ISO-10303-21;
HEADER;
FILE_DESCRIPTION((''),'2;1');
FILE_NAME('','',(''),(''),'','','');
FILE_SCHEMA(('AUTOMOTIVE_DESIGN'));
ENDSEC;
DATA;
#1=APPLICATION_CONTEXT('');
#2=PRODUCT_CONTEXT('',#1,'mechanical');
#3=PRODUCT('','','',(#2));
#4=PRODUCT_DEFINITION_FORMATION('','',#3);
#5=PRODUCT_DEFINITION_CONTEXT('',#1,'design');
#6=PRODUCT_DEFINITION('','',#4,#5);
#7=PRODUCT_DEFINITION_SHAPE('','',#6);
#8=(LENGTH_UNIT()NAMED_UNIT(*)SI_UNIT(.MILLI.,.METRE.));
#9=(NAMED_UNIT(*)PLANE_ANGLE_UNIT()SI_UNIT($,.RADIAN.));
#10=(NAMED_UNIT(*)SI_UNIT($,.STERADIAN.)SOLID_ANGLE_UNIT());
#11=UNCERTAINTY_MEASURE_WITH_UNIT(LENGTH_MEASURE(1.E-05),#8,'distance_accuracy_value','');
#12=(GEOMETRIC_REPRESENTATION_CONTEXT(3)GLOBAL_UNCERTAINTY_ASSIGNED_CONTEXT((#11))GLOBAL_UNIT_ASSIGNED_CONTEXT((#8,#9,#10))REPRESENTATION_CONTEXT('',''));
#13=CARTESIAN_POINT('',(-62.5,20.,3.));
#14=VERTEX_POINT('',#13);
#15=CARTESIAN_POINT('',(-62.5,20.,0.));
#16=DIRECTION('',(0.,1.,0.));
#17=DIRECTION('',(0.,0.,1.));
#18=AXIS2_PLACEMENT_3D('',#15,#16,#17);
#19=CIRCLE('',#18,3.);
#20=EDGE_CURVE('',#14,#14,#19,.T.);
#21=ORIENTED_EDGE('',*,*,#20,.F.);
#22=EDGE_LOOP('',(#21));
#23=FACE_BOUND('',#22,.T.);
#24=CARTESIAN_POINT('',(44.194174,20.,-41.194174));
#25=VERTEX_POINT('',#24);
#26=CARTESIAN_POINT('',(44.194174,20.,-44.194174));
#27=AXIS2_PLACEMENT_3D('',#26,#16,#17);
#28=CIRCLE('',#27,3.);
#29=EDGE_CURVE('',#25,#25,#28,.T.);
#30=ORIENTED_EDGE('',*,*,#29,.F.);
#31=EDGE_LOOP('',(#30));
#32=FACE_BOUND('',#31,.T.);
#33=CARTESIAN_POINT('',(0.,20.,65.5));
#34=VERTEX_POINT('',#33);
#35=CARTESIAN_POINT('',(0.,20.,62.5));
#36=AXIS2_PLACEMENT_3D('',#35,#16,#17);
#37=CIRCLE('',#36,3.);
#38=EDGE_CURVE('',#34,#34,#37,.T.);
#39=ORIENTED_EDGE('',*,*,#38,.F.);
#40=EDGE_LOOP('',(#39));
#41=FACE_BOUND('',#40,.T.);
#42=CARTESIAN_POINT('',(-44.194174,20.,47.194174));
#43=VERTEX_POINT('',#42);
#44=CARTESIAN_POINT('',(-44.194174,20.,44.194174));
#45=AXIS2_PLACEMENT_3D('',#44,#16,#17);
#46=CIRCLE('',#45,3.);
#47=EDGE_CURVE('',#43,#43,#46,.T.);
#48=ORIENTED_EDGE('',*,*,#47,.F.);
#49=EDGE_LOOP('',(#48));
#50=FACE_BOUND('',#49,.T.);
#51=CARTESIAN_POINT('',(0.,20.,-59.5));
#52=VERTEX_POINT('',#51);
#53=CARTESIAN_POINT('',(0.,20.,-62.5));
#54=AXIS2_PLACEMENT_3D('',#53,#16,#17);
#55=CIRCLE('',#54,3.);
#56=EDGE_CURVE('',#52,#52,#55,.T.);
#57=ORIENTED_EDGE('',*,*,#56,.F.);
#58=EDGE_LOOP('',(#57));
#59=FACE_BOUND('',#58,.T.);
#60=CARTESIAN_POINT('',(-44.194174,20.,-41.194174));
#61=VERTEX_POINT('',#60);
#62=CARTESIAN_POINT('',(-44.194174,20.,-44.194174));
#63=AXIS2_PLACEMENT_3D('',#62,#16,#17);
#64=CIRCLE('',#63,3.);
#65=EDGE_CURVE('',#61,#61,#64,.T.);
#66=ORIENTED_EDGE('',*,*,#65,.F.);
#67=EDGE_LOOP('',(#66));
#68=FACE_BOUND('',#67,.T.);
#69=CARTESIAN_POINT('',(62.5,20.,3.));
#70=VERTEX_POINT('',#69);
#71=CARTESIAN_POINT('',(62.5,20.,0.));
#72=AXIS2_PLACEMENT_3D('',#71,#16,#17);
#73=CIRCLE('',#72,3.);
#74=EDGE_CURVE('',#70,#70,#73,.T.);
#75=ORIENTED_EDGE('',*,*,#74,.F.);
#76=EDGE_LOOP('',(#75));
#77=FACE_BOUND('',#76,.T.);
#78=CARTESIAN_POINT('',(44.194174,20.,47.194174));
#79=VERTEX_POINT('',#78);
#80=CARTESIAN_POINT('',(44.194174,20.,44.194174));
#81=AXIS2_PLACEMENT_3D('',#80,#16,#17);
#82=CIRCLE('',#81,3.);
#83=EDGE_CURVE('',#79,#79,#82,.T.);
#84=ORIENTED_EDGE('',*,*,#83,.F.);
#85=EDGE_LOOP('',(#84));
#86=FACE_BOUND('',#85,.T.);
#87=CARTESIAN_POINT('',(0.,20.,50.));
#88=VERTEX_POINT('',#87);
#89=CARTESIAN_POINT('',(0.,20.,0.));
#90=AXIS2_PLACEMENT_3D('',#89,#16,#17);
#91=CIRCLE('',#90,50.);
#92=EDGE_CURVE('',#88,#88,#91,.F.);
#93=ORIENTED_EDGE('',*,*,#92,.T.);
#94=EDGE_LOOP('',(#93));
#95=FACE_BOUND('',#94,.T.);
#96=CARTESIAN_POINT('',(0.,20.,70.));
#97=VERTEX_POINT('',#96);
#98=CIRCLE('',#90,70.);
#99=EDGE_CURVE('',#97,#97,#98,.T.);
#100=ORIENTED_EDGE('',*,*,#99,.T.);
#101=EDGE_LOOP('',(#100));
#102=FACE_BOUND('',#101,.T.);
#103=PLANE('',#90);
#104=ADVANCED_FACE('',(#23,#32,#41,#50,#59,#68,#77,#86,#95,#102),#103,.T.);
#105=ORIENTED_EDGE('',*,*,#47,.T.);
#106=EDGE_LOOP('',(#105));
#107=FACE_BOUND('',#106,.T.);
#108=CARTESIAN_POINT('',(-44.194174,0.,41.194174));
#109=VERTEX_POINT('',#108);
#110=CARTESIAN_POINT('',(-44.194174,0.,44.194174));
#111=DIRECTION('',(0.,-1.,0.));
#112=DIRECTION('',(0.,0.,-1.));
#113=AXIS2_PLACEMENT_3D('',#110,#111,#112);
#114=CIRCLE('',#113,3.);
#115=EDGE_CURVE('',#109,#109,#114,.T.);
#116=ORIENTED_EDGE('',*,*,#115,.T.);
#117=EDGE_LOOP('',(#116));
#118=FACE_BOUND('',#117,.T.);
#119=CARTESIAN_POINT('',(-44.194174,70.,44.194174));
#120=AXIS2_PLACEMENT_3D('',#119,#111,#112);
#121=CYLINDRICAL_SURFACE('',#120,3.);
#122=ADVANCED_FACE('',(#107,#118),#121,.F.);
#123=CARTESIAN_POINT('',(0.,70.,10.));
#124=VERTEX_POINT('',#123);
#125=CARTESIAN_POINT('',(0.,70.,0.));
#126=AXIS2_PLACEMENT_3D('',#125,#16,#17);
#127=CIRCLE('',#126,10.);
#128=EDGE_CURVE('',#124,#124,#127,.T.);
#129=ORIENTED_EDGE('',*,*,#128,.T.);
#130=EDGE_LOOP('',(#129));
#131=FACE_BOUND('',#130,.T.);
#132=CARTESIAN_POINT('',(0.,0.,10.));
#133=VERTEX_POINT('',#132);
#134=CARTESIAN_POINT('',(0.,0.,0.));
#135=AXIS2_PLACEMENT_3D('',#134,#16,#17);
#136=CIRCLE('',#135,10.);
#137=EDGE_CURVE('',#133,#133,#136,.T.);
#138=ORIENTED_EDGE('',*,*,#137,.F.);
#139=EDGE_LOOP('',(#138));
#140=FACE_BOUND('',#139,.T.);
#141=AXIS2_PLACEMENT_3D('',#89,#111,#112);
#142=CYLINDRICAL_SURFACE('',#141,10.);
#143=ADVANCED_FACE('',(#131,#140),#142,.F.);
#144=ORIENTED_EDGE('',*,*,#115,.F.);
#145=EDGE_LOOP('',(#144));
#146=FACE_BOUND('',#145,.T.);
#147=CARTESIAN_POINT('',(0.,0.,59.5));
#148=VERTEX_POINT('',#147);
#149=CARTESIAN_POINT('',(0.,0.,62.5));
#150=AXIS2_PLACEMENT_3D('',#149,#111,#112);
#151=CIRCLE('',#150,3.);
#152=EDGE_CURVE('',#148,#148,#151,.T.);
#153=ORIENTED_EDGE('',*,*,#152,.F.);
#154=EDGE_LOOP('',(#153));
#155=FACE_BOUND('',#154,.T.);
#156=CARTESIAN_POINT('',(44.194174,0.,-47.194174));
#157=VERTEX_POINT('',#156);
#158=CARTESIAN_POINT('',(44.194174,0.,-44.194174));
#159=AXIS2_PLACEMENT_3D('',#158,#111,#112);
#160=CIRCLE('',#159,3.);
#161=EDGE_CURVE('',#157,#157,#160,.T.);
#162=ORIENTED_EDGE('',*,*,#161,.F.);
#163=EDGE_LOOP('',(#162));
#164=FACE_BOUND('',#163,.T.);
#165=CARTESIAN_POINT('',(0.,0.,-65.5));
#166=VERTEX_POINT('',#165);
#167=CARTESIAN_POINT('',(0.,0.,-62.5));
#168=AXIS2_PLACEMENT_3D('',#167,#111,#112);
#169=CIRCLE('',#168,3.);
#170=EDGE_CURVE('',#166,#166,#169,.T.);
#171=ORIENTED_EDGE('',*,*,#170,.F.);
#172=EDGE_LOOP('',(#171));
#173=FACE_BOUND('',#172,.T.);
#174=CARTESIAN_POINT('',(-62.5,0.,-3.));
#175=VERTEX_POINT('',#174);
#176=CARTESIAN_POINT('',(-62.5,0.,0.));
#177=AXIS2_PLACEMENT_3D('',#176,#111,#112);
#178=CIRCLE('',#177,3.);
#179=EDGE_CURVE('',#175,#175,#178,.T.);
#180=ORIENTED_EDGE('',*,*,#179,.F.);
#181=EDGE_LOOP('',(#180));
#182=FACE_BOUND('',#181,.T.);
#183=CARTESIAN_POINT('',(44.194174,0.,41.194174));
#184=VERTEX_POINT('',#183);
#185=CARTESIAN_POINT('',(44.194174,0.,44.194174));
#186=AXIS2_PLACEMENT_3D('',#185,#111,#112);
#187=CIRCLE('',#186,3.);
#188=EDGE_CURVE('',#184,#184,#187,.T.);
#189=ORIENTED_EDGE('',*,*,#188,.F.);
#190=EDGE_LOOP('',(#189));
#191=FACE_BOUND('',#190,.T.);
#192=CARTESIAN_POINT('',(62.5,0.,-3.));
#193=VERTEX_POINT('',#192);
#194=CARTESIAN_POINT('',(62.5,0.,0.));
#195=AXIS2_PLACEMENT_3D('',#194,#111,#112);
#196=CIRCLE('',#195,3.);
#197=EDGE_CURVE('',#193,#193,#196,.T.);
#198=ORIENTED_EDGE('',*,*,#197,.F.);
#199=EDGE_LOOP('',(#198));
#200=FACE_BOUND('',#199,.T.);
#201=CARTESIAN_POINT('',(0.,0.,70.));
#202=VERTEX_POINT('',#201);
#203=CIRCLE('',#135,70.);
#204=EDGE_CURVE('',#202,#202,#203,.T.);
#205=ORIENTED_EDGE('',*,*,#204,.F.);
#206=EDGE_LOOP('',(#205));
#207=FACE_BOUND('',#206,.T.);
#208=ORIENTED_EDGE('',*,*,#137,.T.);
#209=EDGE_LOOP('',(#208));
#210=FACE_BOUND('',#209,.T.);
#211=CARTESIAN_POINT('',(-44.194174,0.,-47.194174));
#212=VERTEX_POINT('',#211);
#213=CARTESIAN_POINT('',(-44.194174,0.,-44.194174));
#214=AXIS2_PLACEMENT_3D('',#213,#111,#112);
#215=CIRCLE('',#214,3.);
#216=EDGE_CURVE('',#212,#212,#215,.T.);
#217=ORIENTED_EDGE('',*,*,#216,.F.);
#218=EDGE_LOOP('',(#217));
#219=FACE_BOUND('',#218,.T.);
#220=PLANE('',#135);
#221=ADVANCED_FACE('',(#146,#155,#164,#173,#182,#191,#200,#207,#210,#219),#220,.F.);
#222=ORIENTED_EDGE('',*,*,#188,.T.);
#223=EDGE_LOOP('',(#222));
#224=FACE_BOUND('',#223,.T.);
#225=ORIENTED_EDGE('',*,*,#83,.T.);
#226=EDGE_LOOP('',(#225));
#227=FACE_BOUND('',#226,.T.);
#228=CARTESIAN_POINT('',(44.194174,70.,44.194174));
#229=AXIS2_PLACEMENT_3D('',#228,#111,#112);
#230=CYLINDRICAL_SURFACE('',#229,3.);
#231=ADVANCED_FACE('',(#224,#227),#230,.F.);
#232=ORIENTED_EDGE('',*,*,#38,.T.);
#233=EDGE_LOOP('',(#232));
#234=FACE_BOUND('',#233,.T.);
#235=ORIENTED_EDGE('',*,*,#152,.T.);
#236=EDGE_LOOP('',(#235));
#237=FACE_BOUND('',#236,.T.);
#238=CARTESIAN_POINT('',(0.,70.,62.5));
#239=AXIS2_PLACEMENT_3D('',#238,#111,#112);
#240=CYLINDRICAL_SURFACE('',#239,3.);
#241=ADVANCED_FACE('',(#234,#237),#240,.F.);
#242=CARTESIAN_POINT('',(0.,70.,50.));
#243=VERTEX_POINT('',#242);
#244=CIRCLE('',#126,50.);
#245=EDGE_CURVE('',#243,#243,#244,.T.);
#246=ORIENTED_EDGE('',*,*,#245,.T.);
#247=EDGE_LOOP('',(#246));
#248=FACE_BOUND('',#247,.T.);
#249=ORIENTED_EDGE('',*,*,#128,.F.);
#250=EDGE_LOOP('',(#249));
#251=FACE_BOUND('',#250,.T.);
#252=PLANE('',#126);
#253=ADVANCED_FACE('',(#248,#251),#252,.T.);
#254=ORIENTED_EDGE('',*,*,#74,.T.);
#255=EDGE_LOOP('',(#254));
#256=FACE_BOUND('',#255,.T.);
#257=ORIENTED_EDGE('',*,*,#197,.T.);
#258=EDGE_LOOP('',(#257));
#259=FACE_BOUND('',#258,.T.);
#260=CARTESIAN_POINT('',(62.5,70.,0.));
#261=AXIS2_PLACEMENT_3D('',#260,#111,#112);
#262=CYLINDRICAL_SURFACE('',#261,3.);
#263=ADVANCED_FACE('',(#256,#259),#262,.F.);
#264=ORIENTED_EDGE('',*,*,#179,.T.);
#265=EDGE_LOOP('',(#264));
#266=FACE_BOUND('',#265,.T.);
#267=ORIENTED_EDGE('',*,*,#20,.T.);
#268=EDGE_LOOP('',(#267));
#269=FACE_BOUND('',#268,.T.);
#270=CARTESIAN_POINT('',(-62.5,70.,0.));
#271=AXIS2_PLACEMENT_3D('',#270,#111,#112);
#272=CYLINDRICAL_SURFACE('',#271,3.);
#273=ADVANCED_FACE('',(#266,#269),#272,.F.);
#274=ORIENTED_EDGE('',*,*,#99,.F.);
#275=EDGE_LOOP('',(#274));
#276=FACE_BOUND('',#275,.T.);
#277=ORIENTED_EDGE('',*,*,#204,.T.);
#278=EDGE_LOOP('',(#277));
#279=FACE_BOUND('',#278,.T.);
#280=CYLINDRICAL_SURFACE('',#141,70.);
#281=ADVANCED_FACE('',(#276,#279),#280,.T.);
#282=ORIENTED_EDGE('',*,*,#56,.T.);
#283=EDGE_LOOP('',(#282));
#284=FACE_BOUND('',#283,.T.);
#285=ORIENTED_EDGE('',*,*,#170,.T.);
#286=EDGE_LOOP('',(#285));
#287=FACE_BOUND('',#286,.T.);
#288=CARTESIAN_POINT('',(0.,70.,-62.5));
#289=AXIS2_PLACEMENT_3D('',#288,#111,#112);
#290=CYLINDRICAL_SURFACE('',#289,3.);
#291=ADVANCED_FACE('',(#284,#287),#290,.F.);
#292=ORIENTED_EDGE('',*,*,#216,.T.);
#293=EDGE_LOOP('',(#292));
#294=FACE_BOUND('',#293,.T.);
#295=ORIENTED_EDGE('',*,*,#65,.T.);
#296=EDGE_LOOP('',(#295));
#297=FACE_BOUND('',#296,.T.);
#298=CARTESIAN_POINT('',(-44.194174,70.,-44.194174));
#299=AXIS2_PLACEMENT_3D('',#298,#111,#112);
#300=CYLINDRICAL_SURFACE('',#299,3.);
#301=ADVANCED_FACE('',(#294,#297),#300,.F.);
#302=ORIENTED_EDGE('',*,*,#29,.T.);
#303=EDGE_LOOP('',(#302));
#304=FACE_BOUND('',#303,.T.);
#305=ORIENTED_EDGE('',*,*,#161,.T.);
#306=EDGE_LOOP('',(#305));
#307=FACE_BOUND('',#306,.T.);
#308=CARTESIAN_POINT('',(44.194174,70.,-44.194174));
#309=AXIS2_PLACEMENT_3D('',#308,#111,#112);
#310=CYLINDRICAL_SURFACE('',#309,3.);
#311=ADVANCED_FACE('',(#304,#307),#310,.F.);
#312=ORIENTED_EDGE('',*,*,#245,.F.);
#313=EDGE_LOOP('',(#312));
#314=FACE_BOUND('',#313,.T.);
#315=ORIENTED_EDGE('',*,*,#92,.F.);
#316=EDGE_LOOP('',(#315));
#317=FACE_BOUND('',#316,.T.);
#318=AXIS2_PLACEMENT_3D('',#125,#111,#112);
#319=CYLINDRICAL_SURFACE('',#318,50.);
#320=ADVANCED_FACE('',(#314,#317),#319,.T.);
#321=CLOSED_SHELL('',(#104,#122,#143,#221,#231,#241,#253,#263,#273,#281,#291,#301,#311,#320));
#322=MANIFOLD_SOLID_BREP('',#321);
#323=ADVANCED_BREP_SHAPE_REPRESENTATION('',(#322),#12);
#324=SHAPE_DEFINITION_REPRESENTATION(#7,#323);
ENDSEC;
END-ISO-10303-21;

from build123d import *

# Parameters (mm, degrees)
SKETCH1_R           = 70
SKETCH1_R_2         = 10
BOSS_EXTRUDE1_DEPTH = 20
SKETCH1_3_R         = 50
SKETCH1_3_R_2       = 10
BOSS_EXTRUDE2_DEPTH = 70
SKETCH2_R           = 3
CUT_EXTRUDE1_DEPTH  = 122.24355653


with BuildPart() as part:
    # Sketch1 → Boss-Extrude1 (new body)
    with BuildSketch(Plane(origin=(0, 0, 0), x_dir=(1, 0, 0), z_dir=(0, 1, 0))):
        Circle(SKETCH1_R)
        Circle(SKETCH1_R_2, mode=Mode.SUBTRACT)
    extrude(amount=BOSS_EXTRUDE1_DEPTH)

    # Sketch1<3> → Boss-Extrude2 (add)
    with BuildSketch(Plane(origin=(0, 0, 0), x_dir=(1, 0, 0), z_dir=(0, 1, 0))):
        Circle(SKETCH1_3_R)
        Circle(SKETCH1_3_R_2, mode=Mode.SUBTRACT)
    extrude(amount=BOSS_EXTRUDE2_DEPTH)

    # Sketch2 → Cut-Extrude1 (cut, through all)
    with BuildSketch(Plane.XZ):
        with Locations((0, 62.5)):
            Circle(SKETCH2_R)
        with Locations((-44.194173824, 44.194173824)):
            Circle(SKETCH2_R)
        with Locations((44.194173824, 44.194173824)):
            Circle(SKETCH2_R)
        with Locations((-62.5, 0)):
            Circle(SKETCH2_R)
        with Locations((62.5, 0)):
            Circle(SKETCH2_R)
        with Locations((-44.194173824, -44.194173824)):
            Circle(SKETCH2_R)
        with Locations((44.194173824, -44.194173824)):
            Circle(SKETCH2_R)
        with Locations((0, -62.5)):
            Circle(SKETCH2_R)
    extrude(amount=-CUT_EXTRUDE1_DEPTH, mode=Mode.SUBTRACT)


solid = part.part
